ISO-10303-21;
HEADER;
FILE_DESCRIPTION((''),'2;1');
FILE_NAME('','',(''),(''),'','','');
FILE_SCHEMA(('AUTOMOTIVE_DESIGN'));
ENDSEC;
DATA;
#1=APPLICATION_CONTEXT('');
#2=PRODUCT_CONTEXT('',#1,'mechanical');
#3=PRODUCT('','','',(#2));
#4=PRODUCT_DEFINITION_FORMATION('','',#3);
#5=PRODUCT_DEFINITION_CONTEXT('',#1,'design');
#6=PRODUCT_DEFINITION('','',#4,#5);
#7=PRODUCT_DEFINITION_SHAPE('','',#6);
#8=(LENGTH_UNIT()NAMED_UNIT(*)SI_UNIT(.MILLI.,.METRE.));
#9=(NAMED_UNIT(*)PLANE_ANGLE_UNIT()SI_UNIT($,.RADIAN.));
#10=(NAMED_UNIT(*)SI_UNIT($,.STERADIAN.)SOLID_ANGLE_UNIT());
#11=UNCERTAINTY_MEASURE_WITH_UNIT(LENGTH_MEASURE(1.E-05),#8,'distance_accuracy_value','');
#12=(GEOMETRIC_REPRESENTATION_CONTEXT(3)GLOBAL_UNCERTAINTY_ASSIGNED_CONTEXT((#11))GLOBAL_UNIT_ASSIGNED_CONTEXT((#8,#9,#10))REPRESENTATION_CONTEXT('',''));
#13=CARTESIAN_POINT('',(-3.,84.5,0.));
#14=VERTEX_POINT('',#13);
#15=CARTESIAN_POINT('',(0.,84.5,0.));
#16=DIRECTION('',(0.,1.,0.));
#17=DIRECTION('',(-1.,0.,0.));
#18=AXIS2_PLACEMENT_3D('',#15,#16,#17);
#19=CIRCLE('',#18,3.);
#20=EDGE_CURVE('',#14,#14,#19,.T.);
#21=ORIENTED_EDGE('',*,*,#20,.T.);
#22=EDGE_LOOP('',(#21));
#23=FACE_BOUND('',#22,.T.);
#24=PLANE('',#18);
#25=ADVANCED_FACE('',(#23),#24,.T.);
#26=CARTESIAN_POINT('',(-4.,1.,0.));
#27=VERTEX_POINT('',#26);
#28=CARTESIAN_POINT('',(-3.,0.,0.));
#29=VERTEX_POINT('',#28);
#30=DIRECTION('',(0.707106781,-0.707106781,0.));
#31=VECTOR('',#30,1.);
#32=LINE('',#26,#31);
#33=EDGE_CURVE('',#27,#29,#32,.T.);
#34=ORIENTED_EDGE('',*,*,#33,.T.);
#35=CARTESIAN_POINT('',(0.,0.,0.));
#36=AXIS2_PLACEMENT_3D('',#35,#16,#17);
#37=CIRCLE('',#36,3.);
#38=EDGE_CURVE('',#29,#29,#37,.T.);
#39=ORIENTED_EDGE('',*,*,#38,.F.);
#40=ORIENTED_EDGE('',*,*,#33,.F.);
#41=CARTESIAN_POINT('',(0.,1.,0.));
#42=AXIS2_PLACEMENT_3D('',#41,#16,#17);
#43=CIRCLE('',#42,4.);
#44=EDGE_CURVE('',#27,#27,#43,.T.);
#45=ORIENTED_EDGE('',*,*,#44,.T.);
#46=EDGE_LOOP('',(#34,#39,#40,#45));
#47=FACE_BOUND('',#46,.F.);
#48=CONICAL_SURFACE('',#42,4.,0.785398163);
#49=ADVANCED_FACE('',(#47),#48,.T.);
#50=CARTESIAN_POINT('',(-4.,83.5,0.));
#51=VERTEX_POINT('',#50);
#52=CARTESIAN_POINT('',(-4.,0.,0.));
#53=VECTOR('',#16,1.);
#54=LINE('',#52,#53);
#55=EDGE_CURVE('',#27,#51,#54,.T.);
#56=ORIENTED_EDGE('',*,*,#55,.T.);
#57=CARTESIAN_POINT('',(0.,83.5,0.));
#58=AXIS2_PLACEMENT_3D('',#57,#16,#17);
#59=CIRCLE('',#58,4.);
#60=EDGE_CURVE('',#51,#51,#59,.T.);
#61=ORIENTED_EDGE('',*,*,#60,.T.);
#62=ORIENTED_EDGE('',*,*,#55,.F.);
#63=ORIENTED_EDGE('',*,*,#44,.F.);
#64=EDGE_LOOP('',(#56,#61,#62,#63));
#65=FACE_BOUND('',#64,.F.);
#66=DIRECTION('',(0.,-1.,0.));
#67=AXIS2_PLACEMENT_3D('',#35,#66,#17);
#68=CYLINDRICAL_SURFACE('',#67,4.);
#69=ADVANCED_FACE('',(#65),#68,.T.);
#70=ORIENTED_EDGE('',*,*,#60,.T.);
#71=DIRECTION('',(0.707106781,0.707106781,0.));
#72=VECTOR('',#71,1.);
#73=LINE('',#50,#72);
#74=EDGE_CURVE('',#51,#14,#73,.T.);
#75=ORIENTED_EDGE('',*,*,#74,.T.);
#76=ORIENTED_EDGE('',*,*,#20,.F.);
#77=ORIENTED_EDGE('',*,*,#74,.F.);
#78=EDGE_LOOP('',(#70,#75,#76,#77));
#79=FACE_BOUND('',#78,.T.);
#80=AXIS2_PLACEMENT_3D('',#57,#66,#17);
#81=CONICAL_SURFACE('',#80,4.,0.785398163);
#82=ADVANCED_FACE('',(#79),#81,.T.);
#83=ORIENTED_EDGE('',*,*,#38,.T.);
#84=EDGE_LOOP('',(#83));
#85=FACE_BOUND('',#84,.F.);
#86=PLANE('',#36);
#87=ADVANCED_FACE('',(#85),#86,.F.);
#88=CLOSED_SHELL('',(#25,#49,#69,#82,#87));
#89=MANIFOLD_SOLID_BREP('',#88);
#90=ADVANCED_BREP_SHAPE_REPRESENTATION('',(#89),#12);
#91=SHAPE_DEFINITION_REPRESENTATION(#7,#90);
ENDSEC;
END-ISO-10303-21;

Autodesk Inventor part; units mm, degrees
ref_plane "YZ Plane" through (0, 0, 0) normal (1, 0, 0) x (0, 1, 0)
ref_plane "XZ Plane" through (0, 0, 0) normal (0, 1, 0) x (-1, 0, 0)
ref_plane "XY Plane" through (0, 0, 0) normal (0, 0, 1) x (1, 0, 0)
sketch "Sketch1" plane through (0, 0, 0) normal (0, 1, 0) x (-1, 0, 0)
  circle A0 centre (0, 0) radius 4
  dimension "d0" = 8
extrude "Extrusion1" add sketch "Sketch1" along normal blind 84.5
chamfer "Chamfer1" distance 1 angle 45 2 edges at (4, 84.5, 0) (4, 0, 0)
properties part number "inox_84mm"
